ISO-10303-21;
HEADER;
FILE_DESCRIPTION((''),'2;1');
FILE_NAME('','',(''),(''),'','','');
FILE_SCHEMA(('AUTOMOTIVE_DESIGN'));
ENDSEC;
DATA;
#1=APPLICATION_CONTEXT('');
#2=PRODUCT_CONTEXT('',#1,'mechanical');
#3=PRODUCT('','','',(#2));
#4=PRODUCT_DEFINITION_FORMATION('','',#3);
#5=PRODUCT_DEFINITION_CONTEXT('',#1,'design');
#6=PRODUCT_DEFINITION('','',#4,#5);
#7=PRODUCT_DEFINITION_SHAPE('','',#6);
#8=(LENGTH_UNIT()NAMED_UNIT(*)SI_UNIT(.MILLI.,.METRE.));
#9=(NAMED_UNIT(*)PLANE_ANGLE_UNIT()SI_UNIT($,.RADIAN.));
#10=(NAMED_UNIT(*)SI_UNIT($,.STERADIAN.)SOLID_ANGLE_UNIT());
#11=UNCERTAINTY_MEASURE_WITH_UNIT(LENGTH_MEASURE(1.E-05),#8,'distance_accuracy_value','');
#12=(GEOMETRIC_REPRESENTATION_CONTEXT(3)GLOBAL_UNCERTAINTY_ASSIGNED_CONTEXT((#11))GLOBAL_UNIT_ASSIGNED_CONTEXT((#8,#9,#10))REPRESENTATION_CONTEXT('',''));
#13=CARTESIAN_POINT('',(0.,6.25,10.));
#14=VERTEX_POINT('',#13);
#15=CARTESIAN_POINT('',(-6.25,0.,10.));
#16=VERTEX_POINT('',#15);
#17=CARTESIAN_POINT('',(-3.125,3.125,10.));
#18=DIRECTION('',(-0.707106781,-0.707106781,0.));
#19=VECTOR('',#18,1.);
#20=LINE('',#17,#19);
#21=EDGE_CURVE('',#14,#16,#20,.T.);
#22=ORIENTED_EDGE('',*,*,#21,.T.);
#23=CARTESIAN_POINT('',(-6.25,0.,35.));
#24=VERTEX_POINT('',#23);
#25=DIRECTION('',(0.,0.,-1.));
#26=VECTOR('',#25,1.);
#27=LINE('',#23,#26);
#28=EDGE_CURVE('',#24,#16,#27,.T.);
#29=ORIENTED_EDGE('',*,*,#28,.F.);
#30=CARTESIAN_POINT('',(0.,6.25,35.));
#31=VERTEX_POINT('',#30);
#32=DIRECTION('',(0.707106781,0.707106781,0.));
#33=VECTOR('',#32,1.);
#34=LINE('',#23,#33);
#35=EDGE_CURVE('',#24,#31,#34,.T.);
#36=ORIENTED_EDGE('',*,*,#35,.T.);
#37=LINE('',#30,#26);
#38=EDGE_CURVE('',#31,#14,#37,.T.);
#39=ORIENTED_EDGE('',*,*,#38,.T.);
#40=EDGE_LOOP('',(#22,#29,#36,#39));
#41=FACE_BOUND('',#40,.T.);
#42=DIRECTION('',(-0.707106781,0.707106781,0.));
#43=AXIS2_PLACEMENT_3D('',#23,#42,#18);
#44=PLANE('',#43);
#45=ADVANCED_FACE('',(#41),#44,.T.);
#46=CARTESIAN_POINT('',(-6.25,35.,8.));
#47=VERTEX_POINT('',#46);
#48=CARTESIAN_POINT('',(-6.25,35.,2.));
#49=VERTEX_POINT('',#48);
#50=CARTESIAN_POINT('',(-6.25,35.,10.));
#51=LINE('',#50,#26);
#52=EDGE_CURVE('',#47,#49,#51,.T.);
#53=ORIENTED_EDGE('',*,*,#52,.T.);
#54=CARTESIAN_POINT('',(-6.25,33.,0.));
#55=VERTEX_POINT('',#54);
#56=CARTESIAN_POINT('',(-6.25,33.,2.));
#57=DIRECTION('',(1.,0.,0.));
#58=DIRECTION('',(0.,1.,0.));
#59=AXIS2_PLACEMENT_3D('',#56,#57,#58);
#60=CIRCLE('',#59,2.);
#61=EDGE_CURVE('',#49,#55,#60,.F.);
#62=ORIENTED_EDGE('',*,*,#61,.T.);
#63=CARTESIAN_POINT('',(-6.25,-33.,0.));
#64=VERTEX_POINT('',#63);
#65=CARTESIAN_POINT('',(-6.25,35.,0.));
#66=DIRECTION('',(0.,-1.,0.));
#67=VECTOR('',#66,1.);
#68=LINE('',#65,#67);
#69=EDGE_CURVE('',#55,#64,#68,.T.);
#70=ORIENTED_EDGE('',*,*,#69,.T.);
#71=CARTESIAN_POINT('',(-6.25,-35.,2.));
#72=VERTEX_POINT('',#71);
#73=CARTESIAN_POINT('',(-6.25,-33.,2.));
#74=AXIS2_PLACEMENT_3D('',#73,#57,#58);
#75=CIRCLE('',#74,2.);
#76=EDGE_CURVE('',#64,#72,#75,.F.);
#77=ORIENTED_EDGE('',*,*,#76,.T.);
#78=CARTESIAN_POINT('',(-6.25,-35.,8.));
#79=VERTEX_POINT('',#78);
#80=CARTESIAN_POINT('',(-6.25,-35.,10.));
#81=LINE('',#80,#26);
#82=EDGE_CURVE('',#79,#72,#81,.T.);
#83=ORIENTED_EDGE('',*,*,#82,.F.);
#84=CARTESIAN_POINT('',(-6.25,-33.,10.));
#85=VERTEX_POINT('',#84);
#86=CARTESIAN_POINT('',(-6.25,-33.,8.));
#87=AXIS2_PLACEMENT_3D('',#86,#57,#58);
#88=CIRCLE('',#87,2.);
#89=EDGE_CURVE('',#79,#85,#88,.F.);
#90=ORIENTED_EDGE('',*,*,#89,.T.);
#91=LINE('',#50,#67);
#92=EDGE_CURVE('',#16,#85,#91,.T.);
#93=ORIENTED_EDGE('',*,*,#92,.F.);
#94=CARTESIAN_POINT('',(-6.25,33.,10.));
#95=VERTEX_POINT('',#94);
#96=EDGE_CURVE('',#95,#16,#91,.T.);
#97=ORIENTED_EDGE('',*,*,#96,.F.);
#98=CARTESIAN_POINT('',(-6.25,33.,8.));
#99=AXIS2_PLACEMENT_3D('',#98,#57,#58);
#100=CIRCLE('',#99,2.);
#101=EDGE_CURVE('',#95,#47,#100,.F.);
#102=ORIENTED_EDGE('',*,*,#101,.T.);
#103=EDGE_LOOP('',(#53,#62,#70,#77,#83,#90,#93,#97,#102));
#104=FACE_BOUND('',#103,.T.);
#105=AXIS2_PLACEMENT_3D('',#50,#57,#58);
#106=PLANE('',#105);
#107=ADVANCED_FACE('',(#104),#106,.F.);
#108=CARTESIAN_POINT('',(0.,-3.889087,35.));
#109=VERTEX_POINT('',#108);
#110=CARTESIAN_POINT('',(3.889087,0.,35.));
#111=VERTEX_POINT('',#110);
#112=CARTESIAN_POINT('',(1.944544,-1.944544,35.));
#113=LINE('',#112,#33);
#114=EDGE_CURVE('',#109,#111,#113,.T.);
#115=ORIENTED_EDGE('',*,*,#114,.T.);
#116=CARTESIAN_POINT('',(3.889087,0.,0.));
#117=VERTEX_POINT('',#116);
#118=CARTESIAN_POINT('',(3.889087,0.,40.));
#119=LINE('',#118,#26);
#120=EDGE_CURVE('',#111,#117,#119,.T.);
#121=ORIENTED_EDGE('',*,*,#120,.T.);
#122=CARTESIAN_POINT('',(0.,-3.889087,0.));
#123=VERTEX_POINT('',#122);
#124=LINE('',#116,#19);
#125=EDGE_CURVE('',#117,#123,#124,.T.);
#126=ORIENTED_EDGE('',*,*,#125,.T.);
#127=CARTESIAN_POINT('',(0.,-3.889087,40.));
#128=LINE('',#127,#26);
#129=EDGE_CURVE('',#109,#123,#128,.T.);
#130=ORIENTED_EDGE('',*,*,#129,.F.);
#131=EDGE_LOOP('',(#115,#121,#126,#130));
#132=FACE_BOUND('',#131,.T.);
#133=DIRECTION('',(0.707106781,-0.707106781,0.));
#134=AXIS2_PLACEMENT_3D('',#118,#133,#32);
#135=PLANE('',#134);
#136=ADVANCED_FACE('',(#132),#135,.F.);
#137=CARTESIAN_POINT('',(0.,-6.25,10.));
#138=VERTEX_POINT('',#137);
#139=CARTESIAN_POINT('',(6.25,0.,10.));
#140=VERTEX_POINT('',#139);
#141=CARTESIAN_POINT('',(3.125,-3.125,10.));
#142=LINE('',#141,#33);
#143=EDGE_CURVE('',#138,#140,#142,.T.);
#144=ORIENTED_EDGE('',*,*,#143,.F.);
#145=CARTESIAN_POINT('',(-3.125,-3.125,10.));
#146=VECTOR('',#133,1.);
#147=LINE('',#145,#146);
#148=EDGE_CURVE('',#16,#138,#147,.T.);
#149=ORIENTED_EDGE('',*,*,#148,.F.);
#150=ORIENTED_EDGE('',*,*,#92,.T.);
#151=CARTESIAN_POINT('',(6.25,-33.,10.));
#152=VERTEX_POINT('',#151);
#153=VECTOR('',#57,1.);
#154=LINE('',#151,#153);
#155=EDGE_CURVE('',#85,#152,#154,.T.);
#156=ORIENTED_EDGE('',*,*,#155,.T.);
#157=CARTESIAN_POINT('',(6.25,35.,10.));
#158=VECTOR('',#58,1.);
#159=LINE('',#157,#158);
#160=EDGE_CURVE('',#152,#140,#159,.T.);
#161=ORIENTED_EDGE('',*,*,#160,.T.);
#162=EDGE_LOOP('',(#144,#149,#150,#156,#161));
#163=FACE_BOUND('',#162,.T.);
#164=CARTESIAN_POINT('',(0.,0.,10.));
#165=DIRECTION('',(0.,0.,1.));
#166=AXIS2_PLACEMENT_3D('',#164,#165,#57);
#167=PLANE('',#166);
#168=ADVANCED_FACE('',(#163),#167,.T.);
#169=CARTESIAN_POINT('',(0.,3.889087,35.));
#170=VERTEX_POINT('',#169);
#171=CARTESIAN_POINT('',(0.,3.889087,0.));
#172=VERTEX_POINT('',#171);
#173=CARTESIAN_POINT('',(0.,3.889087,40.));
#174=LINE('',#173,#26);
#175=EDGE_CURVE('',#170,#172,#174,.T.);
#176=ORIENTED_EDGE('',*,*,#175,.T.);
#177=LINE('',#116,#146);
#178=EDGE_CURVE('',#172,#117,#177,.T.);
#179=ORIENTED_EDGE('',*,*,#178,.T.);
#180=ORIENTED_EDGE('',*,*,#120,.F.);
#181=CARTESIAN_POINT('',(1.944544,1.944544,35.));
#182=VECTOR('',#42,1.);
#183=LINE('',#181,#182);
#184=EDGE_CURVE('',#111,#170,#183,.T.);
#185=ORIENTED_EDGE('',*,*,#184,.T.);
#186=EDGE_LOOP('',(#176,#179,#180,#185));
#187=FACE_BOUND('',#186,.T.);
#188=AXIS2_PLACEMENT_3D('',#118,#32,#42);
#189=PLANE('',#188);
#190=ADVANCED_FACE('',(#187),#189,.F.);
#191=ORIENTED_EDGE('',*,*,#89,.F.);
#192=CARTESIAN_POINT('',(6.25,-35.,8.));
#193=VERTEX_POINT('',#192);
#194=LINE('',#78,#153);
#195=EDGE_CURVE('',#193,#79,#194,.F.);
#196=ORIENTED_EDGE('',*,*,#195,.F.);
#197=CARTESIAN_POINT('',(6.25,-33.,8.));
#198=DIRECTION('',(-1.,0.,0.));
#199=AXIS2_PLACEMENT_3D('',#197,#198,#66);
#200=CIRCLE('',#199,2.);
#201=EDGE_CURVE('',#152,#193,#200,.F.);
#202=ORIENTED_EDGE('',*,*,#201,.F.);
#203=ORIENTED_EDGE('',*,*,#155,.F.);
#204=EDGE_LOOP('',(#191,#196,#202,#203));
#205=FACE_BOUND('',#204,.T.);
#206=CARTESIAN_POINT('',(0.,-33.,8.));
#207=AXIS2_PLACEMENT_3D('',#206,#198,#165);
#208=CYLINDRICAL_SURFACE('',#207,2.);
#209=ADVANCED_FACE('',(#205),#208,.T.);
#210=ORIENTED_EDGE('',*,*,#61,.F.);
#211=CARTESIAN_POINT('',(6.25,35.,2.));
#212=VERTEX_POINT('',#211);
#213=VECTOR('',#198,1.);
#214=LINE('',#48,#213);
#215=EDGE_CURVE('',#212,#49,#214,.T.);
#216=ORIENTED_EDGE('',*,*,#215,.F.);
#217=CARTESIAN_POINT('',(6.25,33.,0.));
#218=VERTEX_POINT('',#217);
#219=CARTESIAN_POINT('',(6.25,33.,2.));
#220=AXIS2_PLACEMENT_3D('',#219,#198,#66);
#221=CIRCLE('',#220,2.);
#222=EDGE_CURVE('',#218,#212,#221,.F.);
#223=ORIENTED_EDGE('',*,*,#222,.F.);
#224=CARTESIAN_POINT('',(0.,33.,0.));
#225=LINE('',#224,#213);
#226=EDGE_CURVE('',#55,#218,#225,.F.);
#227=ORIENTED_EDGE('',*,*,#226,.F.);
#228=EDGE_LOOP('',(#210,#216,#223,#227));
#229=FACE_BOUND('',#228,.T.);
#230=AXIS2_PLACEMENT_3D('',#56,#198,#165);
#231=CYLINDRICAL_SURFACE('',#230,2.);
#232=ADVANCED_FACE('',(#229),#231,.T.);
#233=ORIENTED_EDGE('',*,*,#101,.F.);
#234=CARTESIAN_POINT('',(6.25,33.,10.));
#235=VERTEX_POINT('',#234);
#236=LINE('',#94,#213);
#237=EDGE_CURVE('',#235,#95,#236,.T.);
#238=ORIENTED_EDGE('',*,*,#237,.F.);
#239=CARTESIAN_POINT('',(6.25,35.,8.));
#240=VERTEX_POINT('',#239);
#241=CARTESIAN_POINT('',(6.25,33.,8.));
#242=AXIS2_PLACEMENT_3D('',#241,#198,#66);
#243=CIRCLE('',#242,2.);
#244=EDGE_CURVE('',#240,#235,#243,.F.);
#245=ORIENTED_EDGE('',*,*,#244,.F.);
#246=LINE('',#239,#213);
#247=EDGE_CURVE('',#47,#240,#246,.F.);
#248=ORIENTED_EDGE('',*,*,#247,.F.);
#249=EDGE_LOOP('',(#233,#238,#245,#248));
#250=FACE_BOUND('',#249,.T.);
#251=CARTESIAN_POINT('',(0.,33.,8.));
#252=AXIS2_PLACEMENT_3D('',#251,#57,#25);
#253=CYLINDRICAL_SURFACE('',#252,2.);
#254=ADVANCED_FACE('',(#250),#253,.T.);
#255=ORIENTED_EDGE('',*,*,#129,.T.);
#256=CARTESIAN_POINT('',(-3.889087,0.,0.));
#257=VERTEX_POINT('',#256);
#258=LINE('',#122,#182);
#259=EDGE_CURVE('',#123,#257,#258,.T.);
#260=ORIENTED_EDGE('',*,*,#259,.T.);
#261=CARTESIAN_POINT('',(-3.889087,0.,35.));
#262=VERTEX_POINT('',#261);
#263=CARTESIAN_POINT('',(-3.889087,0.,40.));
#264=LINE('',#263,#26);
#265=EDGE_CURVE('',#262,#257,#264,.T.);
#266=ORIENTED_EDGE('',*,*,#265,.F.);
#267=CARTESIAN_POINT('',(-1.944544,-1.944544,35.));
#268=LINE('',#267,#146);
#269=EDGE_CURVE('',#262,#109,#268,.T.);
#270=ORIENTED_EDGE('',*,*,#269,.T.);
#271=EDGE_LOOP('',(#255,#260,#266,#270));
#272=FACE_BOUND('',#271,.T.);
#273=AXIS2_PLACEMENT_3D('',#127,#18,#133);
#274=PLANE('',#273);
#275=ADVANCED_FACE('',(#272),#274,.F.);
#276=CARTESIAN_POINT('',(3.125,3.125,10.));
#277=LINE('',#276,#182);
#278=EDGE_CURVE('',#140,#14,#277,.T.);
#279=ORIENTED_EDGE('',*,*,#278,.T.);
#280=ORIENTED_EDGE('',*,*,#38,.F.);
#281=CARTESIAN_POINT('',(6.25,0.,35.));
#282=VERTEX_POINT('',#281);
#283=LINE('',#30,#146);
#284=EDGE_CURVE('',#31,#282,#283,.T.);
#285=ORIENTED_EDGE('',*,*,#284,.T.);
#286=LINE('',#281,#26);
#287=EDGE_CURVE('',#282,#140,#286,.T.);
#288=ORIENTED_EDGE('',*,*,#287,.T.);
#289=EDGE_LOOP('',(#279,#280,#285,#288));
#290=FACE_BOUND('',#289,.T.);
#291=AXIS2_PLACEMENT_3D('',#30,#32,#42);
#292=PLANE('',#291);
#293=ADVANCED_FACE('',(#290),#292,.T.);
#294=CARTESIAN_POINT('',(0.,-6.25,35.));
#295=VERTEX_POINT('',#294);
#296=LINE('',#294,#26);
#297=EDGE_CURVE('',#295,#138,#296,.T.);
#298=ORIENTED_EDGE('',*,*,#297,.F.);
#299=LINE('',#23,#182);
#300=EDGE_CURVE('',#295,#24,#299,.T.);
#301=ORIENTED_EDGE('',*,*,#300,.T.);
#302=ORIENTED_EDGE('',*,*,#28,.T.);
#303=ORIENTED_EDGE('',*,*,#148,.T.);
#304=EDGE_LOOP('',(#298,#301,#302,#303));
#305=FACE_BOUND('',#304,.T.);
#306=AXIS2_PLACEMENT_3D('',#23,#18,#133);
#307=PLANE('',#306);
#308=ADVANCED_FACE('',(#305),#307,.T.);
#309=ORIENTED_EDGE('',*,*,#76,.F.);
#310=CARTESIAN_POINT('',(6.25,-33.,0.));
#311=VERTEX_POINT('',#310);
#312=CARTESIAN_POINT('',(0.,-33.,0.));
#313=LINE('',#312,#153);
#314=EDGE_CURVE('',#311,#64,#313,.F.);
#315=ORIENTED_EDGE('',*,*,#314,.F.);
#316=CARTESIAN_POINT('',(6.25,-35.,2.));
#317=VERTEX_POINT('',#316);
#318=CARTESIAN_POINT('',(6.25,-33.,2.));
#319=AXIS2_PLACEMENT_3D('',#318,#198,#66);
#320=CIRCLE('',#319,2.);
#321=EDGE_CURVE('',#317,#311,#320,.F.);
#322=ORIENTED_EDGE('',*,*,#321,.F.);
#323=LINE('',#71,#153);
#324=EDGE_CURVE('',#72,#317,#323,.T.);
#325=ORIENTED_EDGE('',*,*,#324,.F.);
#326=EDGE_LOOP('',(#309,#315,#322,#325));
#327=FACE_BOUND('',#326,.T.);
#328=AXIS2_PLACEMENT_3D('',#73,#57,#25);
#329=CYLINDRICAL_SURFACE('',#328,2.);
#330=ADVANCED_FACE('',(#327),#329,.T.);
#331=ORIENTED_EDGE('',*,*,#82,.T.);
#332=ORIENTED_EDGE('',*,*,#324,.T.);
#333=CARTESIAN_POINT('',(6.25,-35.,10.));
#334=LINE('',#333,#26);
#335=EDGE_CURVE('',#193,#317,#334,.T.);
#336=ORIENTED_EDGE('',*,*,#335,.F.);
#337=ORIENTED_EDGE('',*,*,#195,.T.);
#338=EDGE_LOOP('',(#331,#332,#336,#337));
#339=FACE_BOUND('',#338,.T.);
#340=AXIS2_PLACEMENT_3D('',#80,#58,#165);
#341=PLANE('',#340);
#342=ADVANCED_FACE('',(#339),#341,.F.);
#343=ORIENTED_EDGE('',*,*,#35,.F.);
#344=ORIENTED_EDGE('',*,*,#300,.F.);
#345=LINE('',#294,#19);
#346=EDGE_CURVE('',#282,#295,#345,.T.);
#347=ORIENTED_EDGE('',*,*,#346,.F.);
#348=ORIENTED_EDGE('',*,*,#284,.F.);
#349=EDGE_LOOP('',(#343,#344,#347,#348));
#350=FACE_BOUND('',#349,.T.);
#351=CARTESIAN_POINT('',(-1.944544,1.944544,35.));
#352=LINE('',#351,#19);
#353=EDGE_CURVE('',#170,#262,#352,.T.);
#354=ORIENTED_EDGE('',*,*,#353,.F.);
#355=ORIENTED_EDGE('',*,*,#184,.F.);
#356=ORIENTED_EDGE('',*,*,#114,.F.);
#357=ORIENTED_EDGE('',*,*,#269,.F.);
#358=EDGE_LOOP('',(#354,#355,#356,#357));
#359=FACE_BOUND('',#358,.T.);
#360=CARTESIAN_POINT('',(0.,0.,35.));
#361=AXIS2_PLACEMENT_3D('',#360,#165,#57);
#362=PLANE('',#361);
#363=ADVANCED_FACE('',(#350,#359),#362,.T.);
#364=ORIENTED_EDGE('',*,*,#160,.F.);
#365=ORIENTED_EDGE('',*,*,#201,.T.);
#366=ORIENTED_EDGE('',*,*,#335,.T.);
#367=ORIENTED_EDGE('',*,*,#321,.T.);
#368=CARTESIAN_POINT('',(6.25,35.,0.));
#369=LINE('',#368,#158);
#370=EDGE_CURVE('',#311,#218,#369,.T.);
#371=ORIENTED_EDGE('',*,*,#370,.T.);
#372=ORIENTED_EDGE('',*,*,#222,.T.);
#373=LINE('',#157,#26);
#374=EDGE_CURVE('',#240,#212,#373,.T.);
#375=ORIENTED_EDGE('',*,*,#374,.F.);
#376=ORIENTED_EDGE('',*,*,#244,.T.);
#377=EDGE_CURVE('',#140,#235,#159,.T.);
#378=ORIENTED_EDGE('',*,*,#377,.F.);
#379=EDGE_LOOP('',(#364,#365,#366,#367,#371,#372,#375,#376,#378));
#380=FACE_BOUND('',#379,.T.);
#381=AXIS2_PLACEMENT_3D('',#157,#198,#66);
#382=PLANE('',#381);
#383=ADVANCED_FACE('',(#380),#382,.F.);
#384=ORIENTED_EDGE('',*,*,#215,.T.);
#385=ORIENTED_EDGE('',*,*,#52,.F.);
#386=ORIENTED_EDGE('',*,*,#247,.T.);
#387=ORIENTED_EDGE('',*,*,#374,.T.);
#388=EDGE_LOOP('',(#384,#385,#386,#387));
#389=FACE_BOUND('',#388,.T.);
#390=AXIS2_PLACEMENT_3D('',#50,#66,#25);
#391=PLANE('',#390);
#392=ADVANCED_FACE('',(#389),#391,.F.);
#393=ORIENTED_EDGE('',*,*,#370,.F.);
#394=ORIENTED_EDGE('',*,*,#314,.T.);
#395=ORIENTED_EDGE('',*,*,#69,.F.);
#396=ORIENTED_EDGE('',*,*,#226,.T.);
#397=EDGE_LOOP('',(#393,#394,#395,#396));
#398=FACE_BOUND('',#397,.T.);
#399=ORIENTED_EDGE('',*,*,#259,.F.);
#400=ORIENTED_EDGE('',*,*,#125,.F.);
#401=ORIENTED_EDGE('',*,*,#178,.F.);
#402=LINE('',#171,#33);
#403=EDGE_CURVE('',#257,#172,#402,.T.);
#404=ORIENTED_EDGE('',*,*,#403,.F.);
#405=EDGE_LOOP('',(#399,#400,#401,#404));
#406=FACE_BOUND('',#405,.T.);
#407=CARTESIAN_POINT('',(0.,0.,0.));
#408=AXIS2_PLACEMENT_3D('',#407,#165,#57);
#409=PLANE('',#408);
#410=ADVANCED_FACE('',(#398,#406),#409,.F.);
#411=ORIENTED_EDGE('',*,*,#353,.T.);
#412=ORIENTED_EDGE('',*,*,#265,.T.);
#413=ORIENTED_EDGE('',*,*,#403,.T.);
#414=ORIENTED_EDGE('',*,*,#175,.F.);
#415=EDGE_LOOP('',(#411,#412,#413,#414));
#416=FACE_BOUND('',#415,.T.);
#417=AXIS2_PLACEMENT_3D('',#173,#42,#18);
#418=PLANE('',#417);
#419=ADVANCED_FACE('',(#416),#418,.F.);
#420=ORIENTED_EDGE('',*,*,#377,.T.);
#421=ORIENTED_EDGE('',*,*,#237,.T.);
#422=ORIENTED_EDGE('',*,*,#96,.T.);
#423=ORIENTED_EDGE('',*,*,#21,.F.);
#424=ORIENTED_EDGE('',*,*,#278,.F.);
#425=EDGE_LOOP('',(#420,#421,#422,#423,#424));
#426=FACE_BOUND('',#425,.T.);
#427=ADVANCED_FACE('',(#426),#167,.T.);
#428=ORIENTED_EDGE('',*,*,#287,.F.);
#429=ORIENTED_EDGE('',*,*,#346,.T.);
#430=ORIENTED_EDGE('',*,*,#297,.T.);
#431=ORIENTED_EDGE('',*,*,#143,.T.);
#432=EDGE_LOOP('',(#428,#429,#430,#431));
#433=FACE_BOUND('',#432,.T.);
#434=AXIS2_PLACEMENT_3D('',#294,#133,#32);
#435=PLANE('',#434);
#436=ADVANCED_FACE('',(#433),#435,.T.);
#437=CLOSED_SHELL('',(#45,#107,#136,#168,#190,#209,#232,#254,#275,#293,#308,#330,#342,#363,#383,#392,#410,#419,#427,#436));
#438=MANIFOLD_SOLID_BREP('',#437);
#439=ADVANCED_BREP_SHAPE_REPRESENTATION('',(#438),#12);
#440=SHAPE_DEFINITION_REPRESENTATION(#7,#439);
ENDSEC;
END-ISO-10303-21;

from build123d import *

# Parameters (mm, degrees)
ESQUISSE1_W             = 12.5
ESQUISSE1_H             = 70
BOSS_EXTRU_1_DEPTH      = 10
BOSS_EXTRU_2_DEPTH      = 35
ENL_V_MAT_EXTRU_1_DEPTH = 40
CONG_3_R                = 2


with BuildPart() as part:
    # Esquisse1 → Boss.-Extru.1 (new body)
    with BuildSketch(Plane.XY):
        Rectangle(ESQUISSE1_W, ESQUISSE1_H)
    extrude(amount=BOSS_EXTRU_1_DEPTH)

    # Esquisse2 → Boss.-Extru.2 (add)
    with BuildSketch(Plane(origin=(0, 0, 0), x_dir=(-1, 0, 0), z_dir=(0, 0, -1))):
        Polygon((6.25, 0), (0, 6.25), (-6.25, 0), (0, -6.25), align=None)
    extrude(amount=-BOSS_EXTRU_2_DEPTH)

    # Esquisse3 → Enlèv. mat.-Extru.1 (cut)
    with BuildSketch(Plane(origin=(0, 0, 0), x_dir=(-1, 0, 0), z_dir=(0, 0, -1))):
        Polygon((-3.889087297, 0), (0, 3.889087297), (3.889087297, 0), (0, -3.889087297), align=None)
    extrude(amount=-ENL_V_MAT_EXTRU_1_DEPTH, mode=Mode.SUBTRACT)

    # Congé3
    cong_3_edges = [part.edges().sort_by_distance(p)[0] for p in [
        (0, -35, 10),
        (0, -35, 0),
        (0, 35, 0),
        (0, 35, 10),
    ]]
    fillet(cong_3_edges, radius=CONG_3_R)


solid = part.part
